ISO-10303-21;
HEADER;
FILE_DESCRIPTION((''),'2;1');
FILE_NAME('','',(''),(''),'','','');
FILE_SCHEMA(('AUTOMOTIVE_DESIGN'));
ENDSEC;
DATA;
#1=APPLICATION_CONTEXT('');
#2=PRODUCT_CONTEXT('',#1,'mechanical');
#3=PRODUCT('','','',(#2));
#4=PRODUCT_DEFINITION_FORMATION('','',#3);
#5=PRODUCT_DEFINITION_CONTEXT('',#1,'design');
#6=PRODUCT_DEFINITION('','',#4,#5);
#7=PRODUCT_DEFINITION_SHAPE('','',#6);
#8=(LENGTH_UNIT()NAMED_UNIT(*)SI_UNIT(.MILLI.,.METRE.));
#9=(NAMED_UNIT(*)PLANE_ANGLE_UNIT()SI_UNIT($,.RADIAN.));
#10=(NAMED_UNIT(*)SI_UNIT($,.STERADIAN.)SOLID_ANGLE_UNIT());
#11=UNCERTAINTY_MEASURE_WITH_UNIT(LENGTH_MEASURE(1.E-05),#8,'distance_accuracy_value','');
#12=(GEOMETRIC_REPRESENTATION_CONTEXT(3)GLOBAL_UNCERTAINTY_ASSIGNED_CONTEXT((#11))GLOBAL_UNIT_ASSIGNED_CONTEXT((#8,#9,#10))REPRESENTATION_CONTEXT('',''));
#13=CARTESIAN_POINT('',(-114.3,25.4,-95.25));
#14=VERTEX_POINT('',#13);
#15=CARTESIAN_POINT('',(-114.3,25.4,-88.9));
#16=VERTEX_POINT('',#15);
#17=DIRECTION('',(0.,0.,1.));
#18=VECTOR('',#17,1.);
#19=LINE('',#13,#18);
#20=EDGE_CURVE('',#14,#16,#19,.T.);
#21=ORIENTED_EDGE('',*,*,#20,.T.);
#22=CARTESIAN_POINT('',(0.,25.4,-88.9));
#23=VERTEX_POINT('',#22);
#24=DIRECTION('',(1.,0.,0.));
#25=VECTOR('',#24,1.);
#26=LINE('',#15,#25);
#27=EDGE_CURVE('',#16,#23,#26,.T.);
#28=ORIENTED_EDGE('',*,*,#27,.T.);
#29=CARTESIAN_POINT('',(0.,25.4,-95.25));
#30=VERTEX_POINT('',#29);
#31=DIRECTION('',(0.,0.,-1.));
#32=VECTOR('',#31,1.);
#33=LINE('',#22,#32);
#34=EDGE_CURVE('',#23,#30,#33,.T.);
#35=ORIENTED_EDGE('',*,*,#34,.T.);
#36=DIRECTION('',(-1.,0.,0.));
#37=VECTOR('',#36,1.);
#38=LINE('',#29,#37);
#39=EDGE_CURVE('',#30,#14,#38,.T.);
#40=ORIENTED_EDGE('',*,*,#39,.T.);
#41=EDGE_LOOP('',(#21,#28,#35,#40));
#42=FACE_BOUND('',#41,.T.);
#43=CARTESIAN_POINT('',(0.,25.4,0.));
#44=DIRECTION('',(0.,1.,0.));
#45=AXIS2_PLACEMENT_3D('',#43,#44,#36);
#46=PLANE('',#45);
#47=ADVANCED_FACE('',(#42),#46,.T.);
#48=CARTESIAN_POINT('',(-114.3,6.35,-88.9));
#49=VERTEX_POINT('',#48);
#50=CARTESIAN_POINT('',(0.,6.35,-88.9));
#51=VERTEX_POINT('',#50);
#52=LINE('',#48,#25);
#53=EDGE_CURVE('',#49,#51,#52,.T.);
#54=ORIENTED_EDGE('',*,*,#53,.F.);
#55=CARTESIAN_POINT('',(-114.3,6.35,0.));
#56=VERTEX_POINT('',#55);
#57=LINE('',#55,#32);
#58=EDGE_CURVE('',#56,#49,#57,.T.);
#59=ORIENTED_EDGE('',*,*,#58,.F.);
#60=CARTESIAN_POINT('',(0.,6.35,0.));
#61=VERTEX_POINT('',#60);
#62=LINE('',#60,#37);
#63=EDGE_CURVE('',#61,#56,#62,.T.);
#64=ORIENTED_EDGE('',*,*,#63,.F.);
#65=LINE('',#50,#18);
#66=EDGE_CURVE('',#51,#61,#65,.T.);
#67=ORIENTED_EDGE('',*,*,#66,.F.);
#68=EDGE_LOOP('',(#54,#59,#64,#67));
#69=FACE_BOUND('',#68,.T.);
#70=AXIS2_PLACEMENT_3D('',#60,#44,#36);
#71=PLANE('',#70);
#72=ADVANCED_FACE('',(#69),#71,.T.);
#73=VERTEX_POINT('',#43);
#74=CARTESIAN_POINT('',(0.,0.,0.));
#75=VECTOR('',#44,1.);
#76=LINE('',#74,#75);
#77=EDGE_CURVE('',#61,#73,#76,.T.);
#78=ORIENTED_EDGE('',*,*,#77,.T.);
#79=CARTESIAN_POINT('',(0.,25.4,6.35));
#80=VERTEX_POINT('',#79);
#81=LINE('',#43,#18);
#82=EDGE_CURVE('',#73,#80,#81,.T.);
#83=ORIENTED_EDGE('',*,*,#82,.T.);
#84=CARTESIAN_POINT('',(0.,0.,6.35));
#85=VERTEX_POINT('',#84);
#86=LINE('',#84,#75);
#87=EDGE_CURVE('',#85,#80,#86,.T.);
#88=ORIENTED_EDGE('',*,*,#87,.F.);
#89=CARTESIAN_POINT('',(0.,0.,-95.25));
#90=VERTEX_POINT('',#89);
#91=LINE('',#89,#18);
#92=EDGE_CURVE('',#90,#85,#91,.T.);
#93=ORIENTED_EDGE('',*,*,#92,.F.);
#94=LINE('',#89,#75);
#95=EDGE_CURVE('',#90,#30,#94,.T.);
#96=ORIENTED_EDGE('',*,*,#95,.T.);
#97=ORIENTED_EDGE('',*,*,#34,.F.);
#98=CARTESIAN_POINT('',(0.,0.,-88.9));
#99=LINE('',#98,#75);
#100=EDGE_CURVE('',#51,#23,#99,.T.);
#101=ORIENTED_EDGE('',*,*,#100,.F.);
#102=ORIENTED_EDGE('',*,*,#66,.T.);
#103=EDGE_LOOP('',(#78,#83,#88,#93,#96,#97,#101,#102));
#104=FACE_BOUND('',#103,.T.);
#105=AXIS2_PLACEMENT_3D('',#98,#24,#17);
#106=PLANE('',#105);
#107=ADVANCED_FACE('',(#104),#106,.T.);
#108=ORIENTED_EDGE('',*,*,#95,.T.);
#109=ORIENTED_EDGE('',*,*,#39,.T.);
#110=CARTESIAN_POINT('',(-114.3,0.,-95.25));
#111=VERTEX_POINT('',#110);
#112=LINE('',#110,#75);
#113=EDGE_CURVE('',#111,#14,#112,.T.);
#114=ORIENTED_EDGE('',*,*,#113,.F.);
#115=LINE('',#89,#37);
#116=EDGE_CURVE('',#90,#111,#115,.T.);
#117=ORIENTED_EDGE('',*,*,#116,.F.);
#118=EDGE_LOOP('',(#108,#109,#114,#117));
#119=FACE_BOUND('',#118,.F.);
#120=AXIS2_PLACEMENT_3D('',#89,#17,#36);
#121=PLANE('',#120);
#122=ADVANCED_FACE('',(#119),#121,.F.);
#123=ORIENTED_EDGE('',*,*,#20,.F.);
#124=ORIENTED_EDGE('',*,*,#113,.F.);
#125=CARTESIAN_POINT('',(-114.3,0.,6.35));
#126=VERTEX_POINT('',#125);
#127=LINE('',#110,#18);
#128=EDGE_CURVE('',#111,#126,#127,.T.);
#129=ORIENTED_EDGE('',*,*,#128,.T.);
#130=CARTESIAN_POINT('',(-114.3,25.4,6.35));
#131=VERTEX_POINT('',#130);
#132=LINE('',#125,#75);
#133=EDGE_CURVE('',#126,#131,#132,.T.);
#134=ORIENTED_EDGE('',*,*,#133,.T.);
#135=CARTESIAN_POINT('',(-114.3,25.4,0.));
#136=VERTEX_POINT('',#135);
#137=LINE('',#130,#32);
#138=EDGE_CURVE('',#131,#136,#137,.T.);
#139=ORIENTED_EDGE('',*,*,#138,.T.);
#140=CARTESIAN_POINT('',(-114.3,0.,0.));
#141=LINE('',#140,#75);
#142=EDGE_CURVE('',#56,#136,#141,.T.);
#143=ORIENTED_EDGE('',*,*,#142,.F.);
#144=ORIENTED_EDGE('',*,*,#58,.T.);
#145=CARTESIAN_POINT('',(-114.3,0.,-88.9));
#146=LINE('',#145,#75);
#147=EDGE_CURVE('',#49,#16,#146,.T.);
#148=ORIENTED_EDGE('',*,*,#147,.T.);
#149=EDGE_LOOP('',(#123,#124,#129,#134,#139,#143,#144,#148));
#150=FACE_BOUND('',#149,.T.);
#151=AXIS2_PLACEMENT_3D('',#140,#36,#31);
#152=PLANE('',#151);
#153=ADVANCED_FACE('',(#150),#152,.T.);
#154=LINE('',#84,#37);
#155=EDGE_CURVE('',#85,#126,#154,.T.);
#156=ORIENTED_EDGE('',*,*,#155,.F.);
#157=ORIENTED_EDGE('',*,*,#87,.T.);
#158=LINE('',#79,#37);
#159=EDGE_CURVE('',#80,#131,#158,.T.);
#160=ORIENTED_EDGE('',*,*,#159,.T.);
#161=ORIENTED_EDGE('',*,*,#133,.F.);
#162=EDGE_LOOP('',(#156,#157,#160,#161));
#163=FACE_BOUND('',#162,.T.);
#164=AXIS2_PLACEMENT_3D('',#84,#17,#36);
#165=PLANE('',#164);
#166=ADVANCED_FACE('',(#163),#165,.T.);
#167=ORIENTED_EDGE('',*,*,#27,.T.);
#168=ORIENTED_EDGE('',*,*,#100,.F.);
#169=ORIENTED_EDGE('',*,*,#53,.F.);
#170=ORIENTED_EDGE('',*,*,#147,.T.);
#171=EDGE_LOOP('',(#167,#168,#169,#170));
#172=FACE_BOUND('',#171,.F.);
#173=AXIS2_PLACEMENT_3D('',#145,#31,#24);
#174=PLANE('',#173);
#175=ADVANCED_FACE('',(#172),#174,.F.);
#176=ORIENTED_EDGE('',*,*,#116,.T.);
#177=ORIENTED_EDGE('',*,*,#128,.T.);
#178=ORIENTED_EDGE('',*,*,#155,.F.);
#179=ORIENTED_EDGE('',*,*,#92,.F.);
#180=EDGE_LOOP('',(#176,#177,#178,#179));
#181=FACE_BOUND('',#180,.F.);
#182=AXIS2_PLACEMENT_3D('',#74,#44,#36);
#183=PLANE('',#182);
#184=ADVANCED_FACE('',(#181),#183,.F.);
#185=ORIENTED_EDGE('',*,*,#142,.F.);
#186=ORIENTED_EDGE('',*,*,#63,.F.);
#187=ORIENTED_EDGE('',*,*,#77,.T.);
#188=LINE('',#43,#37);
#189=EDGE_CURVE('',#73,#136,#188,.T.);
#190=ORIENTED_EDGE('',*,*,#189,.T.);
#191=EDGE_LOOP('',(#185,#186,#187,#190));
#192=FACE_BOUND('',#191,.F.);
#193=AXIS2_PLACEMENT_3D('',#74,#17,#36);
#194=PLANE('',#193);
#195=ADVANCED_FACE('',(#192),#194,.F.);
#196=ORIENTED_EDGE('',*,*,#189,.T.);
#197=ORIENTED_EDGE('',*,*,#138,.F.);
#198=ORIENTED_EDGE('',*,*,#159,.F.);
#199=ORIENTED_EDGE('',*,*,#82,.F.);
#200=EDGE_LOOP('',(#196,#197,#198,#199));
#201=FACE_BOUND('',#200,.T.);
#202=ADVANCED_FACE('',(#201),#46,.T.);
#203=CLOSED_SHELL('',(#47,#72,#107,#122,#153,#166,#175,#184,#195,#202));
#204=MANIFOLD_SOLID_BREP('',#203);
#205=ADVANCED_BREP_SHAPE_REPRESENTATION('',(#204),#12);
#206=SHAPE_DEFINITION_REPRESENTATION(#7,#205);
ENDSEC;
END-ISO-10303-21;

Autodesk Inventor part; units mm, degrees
ref_plane "YZ Plane" through (0, 0, 0) normal (1, 0, 0) x (0, 1, 0)
ref_plane "XZ Plane" through (0, 0, 0) normal (0, 1, 0) x (-1, 0, 0)
ref_plane "XY Plane" through (0, 0, 0) normal (0, 0, 1) x (1, 0, 0)
sketch "Sketch1" plane through (0, 0, 0) normal (0, 1, 0) x (-1, 0, 0)
  line L0 (0, 0) -> (114.3, 0)
  line L1 (114.3, 0) -> (114.3, -88.9)
  line L2 (114.3, -88.9) -> (0, -88.9)
  line L3 (0, -88.9) -> (0, 0)
  line L4 (114.3, 0) -> (0, 0)
  line L5 (0, 0) -> (0, 6.35)
  line L6 (0, 6.35) -> (114.3, 6.35)
  line L7 (114.3, 6.35) -> (114.3, 0)
  line L8 (114.3, -88.9) -> (0, -88.9)
  line L9 (0, -88.9) -> (0, -95.25)
  line L10 (0, -95.25) -> (114.3, -95.25)
  line L11 (114.3, -95.25) -> (114.3, -88.9)
  dimension "d0" = 114.3
  dimension "d1" = 88.9
  dimension "d2" = 6.35
  dimension "d3" = 6.35
extrude "Extrusion1" add sketch "Sketch1" along normal blind 6.35 contours L0 L1 L2 L3
extrude "Extrusion2" add sketch "Sketch1" along normal blind 25.4 contours L5 L6 L7 L0 | L2 L11 L10 L9
properties part number "marker relese plate"
